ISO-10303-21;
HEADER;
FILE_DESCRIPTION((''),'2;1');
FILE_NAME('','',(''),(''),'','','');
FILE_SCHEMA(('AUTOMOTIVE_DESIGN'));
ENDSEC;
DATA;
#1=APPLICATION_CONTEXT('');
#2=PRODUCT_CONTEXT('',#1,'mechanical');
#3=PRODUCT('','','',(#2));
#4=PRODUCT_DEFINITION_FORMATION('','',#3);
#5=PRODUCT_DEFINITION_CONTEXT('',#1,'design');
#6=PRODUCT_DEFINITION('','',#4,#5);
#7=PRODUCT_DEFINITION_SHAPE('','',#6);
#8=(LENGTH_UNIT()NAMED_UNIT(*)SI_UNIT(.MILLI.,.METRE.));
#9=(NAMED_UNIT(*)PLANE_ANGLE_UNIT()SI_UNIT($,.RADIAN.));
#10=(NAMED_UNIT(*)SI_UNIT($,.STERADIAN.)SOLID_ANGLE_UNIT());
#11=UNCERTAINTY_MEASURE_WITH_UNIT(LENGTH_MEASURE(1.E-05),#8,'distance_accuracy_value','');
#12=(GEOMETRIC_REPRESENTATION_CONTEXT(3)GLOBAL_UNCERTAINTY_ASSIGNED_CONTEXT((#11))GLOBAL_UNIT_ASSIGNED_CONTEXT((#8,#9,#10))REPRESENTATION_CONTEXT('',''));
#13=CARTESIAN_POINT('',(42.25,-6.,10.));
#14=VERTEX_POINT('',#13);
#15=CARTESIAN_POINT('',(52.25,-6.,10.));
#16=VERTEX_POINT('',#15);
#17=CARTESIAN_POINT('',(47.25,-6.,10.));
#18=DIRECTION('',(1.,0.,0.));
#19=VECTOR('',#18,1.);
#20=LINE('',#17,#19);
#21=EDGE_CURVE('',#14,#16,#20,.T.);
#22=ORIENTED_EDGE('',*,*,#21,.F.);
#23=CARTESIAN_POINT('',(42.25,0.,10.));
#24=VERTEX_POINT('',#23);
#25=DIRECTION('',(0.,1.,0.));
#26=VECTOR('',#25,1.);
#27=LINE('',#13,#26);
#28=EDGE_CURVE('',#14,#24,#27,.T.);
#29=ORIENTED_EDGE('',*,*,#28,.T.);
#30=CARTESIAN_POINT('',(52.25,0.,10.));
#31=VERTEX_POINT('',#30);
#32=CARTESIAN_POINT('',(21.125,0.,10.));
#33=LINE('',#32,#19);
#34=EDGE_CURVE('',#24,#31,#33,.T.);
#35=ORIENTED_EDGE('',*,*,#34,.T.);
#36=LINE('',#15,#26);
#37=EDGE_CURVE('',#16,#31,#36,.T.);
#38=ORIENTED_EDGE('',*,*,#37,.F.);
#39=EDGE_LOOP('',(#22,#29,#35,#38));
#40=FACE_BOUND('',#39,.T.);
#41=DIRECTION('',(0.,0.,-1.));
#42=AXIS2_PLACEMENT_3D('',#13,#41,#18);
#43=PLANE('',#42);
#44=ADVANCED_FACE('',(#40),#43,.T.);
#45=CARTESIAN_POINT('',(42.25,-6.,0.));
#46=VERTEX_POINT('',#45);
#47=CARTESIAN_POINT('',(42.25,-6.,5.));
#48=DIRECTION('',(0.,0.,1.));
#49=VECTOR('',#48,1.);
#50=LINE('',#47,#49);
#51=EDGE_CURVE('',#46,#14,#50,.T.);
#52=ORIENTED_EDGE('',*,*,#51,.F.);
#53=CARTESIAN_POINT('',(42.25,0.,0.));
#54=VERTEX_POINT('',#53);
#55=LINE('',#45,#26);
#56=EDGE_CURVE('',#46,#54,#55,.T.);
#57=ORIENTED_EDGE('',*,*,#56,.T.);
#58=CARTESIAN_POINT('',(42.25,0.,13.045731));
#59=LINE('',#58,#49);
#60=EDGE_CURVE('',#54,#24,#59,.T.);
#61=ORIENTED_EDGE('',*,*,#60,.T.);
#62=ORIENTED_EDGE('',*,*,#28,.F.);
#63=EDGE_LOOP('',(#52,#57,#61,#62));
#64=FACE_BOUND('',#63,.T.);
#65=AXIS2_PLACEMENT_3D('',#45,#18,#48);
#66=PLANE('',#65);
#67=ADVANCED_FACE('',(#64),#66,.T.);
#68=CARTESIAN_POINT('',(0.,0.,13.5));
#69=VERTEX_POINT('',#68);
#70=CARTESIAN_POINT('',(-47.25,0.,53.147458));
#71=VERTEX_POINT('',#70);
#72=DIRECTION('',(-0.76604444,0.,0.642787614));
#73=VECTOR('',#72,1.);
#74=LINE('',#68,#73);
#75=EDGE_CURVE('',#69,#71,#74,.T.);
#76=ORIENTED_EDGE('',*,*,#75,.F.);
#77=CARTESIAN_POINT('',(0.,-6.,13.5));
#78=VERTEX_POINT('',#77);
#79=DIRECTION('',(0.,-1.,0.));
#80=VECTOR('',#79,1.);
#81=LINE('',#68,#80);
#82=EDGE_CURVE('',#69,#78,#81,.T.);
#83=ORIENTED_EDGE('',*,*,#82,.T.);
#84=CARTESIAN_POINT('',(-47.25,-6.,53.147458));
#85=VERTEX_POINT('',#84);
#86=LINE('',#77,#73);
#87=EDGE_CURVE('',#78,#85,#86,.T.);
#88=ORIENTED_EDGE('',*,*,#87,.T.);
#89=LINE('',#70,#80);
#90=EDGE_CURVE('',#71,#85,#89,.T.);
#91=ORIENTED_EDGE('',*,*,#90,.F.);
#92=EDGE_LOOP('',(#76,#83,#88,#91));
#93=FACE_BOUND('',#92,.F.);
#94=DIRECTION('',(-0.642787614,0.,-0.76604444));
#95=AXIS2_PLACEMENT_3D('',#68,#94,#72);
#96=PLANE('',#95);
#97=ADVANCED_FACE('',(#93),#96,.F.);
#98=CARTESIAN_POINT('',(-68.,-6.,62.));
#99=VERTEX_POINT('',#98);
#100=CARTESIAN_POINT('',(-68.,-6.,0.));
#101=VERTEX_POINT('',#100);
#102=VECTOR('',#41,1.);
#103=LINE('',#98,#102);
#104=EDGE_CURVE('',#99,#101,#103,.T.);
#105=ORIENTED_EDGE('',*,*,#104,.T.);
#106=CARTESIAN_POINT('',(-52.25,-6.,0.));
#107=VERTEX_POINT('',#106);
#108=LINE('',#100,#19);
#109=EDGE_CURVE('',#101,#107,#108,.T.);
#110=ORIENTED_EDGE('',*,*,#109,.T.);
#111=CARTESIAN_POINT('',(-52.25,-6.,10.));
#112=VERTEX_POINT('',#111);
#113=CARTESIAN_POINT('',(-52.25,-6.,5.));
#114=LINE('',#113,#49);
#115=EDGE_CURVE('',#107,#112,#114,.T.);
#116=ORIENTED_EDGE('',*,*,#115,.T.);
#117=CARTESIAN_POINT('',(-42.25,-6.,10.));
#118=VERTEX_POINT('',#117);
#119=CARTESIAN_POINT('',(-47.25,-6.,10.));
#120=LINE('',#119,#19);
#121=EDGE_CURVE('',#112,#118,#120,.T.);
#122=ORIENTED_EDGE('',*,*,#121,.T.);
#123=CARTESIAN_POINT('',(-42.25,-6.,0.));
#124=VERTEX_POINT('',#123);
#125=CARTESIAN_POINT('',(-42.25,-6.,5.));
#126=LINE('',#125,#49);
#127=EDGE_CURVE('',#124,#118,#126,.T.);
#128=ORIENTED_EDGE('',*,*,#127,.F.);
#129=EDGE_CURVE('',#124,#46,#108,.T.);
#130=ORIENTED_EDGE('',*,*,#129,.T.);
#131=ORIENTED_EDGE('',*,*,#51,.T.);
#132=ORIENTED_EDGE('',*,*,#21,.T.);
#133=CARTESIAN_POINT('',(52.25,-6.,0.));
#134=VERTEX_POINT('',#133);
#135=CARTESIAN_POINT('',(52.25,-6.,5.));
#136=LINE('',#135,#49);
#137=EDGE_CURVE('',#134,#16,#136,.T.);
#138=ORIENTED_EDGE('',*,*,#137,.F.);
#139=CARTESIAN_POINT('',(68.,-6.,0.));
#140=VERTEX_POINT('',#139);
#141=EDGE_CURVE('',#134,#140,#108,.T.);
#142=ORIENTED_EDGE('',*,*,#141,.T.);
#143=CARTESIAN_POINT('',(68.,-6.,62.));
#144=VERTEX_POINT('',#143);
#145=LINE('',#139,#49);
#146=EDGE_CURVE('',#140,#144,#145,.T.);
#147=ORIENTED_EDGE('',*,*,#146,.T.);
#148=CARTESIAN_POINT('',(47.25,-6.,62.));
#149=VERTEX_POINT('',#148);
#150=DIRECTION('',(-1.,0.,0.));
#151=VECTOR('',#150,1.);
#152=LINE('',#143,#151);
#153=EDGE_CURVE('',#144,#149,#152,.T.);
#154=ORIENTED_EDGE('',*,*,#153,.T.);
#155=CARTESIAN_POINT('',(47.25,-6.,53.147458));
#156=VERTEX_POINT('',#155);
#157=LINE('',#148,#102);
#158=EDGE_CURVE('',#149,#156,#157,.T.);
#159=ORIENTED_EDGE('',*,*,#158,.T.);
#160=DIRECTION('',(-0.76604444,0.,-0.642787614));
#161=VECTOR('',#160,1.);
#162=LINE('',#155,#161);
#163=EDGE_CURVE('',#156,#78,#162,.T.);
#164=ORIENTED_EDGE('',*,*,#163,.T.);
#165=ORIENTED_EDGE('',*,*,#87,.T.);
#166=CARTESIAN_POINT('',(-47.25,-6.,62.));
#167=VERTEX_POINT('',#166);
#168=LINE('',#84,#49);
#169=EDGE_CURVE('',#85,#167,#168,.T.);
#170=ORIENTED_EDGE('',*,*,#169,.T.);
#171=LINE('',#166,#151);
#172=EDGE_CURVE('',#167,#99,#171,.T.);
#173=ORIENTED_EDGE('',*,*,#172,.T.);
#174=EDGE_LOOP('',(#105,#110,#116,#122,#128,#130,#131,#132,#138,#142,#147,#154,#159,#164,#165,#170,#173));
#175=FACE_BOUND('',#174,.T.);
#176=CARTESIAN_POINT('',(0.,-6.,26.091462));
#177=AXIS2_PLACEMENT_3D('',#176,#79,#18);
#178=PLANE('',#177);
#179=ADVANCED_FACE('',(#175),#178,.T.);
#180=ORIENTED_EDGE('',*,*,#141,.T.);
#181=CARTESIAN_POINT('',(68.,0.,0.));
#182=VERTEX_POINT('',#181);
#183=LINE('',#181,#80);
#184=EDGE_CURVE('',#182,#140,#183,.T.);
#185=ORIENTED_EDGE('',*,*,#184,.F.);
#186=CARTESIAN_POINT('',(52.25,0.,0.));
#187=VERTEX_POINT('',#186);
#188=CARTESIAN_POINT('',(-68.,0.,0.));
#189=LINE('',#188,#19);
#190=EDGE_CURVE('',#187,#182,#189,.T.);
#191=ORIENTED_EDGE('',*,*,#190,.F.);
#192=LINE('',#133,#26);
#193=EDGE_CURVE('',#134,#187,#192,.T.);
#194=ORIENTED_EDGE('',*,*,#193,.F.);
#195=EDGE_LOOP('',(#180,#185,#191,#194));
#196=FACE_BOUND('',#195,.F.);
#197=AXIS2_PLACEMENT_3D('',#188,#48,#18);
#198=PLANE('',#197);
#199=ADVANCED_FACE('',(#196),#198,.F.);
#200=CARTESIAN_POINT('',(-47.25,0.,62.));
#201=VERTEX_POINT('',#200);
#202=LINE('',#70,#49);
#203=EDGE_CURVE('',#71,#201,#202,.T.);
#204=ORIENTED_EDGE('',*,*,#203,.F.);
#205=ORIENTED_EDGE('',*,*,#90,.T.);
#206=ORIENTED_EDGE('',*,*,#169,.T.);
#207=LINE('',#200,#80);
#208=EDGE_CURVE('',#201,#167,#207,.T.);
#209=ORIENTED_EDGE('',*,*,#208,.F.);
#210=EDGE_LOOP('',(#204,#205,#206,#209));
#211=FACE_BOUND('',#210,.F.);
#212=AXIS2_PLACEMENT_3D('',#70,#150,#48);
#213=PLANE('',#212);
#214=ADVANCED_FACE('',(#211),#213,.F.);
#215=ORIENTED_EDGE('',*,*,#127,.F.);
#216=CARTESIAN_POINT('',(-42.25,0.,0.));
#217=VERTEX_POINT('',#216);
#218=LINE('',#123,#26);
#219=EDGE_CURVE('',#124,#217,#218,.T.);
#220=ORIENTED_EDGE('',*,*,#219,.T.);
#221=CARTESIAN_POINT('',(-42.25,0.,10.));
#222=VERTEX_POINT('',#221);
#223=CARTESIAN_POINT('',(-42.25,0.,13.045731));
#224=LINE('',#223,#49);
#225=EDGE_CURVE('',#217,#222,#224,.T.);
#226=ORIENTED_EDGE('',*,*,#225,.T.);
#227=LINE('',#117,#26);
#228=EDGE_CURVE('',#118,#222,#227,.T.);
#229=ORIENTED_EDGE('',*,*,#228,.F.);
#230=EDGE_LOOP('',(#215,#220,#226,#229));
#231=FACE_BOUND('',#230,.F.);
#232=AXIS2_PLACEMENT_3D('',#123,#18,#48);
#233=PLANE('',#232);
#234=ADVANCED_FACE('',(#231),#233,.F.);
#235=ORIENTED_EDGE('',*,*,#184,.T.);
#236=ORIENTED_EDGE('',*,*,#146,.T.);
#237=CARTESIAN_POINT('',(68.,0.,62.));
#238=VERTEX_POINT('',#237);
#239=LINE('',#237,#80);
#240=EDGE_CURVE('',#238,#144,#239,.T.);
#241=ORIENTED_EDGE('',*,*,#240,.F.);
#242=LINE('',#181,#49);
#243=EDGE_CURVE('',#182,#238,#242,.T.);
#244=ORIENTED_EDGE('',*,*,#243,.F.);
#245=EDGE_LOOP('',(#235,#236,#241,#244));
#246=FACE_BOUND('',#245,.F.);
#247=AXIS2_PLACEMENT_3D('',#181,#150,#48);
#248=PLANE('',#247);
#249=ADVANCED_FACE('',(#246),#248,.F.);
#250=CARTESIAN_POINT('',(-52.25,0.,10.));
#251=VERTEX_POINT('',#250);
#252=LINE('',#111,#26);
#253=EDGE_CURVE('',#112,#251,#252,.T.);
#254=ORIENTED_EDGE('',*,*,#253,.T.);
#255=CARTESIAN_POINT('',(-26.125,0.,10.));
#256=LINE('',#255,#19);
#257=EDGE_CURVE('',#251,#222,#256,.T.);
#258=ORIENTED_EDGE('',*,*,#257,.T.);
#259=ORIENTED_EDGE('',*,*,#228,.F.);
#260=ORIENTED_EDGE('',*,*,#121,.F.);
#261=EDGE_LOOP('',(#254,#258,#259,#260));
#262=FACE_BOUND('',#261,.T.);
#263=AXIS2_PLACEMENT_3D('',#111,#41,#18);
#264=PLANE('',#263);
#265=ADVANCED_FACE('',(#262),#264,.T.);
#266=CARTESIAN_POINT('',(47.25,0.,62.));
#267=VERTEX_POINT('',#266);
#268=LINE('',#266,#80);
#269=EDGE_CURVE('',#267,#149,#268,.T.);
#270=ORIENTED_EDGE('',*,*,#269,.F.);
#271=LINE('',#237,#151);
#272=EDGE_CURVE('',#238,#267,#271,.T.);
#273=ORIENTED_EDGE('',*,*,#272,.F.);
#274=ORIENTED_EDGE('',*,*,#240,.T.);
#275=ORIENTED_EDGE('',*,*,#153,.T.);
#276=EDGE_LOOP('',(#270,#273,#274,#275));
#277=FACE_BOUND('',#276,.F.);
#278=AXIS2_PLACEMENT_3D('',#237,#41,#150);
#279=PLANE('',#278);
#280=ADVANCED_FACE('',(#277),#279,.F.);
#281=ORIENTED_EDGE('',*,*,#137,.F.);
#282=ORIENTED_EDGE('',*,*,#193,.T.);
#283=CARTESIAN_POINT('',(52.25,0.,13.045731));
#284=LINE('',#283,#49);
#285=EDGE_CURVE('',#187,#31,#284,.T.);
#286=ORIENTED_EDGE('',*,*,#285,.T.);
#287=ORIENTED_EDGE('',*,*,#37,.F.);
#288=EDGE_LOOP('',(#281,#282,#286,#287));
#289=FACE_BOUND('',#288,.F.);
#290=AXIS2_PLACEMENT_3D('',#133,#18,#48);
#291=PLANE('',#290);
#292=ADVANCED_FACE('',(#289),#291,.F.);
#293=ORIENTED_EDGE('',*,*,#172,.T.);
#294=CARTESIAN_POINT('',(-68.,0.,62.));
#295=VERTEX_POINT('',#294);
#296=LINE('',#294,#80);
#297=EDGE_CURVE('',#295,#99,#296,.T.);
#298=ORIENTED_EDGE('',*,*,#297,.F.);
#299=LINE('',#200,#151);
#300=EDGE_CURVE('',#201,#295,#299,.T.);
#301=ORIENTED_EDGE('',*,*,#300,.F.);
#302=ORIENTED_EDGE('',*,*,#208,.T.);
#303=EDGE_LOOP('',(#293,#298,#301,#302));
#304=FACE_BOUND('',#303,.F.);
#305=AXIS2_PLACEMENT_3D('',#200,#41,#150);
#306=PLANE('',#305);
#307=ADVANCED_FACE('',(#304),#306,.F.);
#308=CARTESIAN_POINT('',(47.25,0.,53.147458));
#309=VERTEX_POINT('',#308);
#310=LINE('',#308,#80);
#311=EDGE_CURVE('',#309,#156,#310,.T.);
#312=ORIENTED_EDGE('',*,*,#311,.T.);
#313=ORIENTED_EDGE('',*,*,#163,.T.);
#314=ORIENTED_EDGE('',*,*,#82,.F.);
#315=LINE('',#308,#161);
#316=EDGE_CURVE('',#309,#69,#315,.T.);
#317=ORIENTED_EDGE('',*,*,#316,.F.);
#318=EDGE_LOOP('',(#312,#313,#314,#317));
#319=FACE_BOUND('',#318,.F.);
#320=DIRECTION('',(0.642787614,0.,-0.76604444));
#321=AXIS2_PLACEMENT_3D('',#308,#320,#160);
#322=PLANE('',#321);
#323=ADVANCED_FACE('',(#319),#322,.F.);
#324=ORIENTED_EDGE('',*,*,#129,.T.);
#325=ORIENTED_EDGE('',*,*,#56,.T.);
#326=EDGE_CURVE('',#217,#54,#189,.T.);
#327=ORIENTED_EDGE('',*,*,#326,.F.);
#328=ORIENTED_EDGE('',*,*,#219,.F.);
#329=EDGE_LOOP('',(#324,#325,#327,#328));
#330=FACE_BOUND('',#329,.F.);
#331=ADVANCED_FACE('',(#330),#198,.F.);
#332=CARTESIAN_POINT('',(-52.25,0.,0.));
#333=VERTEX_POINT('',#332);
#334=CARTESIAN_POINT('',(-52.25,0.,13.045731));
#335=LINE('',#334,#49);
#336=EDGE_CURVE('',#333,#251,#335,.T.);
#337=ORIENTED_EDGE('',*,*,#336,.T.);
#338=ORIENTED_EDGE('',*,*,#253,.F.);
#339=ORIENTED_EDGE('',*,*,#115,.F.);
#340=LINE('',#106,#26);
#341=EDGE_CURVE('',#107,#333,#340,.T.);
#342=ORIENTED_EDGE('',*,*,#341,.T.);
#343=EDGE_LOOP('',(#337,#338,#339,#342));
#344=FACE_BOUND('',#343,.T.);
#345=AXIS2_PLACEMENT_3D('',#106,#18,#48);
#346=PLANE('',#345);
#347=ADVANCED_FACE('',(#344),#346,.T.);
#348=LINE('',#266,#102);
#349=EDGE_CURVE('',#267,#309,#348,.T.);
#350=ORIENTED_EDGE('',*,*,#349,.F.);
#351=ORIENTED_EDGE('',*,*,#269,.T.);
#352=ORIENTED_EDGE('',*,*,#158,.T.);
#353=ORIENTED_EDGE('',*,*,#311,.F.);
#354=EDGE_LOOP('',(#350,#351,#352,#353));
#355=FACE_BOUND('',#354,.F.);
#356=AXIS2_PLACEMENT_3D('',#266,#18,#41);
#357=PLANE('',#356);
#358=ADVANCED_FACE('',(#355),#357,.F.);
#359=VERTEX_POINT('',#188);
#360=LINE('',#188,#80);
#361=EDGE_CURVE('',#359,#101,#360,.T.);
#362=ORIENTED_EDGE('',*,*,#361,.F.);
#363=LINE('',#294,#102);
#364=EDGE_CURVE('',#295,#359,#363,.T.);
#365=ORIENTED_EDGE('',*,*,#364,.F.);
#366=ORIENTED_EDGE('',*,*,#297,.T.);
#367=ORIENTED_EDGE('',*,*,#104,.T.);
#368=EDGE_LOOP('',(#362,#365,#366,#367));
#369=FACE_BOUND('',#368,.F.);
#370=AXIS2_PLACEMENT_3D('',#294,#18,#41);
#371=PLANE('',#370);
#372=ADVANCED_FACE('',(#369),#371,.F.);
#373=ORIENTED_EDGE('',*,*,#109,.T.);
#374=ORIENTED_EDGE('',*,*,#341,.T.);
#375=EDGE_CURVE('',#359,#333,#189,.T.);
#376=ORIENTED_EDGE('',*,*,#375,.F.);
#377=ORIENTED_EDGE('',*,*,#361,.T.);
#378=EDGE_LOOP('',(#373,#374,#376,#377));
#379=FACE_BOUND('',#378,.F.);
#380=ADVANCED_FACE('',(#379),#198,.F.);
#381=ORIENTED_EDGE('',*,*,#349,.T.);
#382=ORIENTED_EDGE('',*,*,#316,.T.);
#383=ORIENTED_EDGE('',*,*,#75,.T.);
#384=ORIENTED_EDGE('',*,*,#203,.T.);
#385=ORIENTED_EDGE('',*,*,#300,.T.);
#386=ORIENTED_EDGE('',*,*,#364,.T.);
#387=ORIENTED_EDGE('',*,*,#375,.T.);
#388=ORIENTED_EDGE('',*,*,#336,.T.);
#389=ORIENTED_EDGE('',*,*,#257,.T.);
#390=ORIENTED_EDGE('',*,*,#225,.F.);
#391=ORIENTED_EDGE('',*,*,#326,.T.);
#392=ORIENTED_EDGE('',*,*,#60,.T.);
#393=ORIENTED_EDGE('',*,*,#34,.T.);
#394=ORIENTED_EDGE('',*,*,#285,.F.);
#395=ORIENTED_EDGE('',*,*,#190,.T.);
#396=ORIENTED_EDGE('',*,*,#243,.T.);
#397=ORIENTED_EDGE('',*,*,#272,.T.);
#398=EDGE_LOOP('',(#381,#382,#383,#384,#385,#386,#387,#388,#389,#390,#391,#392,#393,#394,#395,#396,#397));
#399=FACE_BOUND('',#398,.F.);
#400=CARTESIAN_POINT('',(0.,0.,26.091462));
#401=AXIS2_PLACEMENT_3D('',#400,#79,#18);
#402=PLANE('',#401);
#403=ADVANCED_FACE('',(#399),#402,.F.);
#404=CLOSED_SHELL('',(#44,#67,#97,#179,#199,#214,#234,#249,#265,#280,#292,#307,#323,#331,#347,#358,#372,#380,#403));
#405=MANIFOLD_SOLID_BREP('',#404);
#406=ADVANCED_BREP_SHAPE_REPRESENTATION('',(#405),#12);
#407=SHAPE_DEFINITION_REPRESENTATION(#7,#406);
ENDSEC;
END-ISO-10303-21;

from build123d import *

# Parameters (mm, degrees)
F1_DEPTH = 6
F2_W     = 10
F2_H     = 10
F3_DEPTH = 6.001


with BuildPart() as f1:
    # F0 (on Front) → F1 (new body)
    with BuildSketch(Plane.XZ):
        Polygon((-68, 0), (0, 0), (68, 0), (68, 62), (47.25, 62), (47.25, 53.147458), (0, 13.5), (-47.25, 53.147458), (-47.25, 62), (-68, 62), align=None)
    extrude(amount=F1_DEPTH)

    # F2 (on face) → F3 (cut, through all)
    with BuildSketch(Plane.XZ.offset(6)):
        with Locations((-47.25, 5)):
            Rectangle(F2_W, F2_H)
        with Locations((47.25, 5)):
            Rectangle(F2_W, F2_H)
    extrude(amount=-F3_DEPTH, mode=Mode.SUBTRACT)


solid = f1.part
